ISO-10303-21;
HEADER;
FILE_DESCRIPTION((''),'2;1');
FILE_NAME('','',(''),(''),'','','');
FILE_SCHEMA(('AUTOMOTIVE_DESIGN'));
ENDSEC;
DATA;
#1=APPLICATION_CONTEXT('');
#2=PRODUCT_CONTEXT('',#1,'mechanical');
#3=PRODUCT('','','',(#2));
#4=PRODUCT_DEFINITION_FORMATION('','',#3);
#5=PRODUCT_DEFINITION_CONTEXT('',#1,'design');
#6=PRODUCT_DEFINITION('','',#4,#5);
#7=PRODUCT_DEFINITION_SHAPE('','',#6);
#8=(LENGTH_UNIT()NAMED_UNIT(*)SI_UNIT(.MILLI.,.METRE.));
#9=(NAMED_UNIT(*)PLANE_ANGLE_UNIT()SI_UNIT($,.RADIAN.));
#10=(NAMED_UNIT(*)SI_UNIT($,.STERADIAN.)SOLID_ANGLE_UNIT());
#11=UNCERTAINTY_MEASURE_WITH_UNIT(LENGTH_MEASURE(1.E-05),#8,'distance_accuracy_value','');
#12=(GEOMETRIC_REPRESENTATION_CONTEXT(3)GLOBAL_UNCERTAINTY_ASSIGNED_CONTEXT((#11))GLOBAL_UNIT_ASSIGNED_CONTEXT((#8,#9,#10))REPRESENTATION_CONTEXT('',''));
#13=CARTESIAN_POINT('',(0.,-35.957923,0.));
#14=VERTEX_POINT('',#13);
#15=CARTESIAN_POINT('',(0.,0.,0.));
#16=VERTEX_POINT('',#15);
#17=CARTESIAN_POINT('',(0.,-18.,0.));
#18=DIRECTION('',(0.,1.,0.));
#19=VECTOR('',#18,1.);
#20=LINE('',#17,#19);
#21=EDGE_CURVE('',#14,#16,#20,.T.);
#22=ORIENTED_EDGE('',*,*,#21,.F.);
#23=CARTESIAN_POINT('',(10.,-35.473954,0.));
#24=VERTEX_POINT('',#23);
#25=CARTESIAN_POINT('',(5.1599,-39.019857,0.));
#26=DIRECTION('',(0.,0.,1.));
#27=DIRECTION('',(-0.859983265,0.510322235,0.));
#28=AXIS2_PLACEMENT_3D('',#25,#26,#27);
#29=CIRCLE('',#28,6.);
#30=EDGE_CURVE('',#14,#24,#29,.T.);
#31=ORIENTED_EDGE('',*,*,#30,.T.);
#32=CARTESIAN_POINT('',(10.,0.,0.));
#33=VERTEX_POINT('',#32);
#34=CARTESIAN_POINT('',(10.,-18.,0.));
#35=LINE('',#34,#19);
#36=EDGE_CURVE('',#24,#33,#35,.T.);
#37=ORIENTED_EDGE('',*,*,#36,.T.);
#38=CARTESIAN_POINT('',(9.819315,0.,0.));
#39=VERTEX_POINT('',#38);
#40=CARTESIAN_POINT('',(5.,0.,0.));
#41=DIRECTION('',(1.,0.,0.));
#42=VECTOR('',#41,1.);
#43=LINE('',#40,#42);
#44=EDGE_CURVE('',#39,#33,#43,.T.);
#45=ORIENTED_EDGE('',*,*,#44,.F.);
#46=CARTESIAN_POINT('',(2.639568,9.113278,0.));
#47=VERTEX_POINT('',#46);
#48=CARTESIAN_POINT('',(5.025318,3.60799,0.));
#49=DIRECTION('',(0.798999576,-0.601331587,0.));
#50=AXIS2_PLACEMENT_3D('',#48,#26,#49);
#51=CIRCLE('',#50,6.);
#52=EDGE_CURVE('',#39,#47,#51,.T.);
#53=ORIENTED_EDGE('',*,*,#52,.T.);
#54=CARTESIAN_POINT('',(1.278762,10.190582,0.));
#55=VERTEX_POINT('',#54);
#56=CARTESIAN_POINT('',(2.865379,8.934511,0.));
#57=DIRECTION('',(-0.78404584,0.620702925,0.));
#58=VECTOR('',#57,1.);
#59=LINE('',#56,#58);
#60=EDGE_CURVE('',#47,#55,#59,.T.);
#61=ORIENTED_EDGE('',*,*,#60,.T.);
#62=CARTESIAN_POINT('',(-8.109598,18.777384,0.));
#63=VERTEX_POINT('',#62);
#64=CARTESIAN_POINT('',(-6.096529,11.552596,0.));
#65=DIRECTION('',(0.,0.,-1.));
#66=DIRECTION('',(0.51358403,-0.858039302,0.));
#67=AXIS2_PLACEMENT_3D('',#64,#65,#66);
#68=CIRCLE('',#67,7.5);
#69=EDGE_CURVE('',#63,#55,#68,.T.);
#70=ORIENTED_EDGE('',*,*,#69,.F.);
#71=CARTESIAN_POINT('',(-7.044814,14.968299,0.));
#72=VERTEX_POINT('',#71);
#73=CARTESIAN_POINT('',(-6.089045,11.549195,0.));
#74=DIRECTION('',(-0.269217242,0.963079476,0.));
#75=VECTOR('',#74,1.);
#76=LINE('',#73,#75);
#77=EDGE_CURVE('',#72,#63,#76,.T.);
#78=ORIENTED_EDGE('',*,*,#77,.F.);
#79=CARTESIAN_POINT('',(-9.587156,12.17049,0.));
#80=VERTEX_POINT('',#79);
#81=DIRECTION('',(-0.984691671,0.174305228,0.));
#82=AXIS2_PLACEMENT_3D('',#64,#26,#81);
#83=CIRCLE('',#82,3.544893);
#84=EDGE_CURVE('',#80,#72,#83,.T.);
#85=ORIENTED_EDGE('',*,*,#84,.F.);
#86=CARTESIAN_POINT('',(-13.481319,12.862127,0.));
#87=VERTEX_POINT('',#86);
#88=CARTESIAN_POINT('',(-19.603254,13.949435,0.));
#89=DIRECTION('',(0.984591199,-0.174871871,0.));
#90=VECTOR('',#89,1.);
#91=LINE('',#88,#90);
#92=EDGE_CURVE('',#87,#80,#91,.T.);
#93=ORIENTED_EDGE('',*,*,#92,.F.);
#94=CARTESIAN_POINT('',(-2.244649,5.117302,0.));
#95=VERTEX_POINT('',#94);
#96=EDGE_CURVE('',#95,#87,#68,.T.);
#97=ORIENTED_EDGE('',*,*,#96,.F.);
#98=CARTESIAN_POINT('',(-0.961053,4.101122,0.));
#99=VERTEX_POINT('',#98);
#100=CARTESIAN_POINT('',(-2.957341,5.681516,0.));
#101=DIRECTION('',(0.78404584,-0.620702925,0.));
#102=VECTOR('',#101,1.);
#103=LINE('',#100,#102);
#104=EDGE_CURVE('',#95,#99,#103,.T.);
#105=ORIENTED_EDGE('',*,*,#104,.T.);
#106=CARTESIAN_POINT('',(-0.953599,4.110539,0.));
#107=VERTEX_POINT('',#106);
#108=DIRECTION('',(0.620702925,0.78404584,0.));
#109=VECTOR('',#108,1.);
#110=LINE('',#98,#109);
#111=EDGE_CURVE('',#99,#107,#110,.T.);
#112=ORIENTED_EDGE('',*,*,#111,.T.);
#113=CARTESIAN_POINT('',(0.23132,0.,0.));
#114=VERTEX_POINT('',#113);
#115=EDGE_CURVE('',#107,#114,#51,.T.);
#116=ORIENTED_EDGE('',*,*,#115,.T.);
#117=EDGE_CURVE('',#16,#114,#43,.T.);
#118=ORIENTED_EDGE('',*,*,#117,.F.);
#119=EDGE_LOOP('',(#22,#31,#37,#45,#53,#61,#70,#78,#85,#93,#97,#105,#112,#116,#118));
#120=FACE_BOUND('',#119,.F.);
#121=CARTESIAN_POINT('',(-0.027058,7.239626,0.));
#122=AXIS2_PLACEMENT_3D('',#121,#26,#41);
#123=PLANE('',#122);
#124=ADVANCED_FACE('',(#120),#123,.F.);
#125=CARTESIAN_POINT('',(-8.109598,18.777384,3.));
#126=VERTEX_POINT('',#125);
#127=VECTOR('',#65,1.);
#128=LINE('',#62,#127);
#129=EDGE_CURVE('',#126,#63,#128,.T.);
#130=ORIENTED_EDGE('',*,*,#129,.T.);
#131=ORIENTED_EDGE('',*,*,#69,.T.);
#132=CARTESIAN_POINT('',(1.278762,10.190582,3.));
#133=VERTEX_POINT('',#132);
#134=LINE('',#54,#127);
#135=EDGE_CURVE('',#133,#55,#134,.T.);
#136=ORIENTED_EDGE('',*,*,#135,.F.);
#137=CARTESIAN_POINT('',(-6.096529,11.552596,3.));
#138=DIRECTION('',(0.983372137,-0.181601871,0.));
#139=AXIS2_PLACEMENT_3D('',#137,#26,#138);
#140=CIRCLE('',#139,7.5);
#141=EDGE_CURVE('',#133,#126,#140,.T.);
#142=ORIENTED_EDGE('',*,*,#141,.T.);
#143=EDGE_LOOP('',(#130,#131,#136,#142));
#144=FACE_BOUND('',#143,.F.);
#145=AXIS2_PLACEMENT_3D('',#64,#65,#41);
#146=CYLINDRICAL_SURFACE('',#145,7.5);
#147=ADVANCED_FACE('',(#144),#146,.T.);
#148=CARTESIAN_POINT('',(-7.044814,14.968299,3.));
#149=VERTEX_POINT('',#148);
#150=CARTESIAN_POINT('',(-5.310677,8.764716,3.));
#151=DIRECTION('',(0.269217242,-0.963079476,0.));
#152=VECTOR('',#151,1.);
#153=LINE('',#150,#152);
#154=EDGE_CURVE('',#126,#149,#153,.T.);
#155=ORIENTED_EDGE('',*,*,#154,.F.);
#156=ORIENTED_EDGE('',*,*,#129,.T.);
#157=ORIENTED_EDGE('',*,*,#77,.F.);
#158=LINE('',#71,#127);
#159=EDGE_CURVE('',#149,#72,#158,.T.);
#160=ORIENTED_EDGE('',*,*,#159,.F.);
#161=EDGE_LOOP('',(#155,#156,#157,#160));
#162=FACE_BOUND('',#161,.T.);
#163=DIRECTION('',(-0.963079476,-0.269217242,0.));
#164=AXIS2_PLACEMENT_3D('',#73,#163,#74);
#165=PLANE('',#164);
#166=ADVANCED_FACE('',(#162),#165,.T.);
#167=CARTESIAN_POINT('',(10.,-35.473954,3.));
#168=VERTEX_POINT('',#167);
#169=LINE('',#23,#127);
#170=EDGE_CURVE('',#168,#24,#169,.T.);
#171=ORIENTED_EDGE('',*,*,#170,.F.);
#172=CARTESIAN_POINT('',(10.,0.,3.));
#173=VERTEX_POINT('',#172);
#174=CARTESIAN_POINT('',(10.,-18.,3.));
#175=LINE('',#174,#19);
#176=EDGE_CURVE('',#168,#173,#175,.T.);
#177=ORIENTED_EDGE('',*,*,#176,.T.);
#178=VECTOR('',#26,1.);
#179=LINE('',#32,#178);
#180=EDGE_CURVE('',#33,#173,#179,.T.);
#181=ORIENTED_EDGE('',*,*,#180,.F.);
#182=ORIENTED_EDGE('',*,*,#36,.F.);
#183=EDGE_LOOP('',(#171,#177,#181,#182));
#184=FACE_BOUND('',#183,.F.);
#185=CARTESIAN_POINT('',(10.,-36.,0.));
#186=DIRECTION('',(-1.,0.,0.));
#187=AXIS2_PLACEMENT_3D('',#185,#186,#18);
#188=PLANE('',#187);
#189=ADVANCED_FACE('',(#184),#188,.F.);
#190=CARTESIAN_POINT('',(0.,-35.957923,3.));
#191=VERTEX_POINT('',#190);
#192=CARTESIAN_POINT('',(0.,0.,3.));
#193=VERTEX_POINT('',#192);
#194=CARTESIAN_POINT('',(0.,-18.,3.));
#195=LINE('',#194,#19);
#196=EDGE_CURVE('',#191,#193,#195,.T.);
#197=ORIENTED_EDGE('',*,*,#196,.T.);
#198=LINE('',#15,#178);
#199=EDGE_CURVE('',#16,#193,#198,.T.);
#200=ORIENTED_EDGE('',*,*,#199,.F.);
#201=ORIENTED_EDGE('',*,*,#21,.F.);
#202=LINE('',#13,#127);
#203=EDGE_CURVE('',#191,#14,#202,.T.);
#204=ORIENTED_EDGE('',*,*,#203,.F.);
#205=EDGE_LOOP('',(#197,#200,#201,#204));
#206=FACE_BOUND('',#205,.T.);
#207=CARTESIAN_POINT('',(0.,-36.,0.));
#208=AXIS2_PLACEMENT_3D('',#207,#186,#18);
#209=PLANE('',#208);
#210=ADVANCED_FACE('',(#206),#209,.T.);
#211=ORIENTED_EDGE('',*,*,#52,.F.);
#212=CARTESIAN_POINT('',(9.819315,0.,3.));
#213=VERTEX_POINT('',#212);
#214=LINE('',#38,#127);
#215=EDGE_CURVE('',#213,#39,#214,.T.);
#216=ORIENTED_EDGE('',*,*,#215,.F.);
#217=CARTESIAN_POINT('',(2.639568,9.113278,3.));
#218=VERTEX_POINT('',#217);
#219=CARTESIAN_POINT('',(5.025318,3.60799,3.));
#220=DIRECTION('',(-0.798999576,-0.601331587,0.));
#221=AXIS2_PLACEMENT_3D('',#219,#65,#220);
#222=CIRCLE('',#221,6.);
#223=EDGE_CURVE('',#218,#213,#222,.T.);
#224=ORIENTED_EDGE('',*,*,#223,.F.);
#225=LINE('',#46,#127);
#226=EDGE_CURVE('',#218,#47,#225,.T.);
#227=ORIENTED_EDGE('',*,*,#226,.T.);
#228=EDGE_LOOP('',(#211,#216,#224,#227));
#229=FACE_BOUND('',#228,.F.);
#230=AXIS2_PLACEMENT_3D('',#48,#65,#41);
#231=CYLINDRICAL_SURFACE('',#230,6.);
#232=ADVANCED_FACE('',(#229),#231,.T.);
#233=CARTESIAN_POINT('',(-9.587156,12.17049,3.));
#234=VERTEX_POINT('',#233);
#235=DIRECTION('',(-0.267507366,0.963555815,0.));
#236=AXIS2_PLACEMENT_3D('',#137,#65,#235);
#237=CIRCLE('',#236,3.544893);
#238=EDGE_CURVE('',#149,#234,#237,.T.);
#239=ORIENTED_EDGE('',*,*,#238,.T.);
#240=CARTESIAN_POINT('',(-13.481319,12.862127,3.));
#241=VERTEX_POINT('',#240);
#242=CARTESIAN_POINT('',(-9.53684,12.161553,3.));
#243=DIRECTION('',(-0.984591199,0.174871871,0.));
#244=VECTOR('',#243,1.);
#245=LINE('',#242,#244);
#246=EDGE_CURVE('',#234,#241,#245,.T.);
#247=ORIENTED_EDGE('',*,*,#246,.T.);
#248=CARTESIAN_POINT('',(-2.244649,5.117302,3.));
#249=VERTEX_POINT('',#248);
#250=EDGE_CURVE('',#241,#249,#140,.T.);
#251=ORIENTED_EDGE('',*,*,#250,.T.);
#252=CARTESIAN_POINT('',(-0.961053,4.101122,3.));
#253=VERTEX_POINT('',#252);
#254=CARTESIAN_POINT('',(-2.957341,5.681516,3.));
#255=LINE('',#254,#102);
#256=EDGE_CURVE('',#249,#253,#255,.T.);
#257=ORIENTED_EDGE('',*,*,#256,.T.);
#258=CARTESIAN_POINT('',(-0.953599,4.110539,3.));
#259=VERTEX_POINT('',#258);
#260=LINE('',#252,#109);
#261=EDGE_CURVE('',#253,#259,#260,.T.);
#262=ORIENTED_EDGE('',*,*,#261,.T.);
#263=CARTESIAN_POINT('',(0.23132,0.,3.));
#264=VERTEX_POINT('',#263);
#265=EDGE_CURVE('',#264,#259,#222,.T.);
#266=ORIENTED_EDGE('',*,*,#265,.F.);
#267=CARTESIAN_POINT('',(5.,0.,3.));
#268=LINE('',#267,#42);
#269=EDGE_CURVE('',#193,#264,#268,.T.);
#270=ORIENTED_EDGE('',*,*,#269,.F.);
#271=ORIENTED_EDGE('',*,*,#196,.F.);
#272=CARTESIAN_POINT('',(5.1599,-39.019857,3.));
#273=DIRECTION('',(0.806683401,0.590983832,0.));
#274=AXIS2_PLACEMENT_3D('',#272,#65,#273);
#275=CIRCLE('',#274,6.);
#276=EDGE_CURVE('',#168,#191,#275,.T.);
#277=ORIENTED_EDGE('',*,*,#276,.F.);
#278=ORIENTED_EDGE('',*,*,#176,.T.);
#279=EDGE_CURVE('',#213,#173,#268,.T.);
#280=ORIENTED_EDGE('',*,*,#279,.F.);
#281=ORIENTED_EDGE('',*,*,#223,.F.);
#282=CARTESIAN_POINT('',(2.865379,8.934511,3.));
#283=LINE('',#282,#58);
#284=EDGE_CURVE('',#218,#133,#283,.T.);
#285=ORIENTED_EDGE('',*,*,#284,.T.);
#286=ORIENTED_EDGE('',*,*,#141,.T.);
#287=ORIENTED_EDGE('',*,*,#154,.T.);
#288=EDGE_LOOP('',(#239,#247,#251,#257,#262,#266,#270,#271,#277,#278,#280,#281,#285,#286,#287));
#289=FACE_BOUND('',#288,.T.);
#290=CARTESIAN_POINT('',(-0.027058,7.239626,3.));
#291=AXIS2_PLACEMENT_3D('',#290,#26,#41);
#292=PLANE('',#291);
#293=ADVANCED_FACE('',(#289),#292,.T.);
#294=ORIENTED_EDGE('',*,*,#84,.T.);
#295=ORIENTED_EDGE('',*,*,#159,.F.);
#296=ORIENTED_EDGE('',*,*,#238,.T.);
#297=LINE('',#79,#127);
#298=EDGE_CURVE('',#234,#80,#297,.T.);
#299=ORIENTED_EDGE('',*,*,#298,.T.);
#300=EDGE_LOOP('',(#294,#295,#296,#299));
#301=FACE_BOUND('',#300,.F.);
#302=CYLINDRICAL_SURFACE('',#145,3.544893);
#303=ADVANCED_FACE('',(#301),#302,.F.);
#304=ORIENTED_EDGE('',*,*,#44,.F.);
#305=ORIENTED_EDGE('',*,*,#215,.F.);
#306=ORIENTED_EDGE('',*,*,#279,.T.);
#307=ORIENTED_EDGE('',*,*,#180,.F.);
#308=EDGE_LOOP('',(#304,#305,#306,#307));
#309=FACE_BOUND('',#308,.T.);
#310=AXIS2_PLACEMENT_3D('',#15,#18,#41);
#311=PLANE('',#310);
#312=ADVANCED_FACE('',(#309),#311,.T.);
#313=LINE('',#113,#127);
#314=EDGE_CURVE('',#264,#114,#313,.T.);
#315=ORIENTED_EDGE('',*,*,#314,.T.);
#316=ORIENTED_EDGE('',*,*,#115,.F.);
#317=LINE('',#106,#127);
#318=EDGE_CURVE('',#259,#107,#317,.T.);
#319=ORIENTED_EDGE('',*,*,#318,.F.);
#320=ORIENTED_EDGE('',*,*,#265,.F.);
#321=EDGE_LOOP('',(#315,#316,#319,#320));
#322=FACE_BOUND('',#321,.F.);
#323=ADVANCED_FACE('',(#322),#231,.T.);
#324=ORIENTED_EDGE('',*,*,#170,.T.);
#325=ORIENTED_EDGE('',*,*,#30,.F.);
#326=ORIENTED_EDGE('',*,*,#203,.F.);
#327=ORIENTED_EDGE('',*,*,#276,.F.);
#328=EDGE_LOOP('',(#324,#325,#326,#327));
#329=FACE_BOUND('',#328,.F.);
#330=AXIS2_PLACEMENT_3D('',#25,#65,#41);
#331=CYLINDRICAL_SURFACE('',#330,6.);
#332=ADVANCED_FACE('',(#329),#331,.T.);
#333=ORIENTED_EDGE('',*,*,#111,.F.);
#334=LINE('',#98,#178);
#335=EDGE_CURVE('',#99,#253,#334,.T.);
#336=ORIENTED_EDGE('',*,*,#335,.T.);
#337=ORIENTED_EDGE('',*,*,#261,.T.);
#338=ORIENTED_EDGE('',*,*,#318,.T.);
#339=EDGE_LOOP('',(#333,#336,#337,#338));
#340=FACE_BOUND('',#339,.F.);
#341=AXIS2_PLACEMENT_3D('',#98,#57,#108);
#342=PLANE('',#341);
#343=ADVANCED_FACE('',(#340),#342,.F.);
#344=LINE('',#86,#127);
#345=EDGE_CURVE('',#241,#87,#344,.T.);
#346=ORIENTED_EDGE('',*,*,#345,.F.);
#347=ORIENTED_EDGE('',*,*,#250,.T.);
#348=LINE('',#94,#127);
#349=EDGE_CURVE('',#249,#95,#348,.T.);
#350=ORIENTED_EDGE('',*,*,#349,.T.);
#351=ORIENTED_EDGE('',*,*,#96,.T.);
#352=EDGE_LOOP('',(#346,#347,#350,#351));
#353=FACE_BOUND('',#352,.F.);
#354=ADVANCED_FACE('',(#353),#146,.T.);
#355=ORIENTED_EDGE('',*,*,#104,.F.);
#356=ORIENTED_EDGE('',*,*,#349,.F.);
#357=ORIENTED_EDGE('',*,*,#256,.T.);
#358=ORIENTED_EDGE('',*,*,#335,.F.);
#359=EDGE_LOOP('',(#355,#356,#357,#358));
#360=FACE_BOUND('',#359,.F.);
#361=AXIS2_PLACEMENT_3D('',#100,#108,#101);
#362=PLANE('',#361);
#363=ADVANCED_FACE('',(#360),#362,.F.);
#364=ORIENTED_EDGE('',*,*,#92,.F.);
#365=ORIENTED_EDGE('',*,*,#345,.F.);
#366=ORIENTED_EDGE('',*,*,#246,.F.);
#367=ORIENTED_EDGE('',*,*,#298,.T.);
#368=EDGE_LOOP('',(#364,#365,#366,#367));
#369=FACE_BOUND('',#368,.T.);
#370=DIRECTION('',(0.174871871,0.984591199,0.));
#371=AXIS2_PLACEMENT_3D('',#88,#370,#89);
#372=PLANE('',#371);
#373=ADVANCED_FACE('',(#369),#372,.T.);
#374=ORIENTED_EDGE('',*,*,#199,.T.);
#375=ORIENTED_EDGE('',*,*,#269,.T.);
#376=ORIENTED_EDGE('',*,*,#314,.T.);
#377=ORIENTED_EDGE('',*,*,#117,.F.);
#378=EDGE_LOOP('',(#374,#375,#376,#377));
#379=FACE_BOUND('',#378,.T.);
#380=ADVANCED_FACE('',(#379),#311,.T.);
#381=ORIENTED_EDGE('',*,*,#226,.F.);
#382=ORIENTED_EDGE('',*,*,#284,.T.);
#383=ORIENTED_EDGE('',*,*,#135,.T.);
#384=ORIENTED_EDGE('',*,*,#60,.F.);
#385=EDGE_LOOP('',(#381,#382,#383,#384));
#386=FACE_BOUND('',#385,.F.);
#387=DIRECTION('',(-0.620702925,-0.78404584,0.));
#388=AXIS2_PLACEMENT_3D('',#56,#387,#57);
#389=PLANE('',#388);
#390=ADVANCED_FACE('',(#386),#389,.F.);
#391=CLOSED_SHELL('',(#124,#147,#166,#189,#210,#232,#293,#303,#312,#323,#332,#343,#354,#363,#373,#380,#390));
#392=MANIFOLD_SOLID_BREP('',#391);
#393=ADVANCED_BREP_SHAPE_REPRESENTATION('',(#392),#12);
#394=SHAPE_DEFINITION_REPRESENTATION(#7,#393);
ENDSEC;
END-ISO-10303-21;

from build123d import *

# Parameters (mm, degrees)
F0_W      = 10
F0_H      = 36
F3_DEPTH  = 3
F2_R      = 6
F4_DEPTH  = 3
F1_R      = 6
F5_DEPTH  = 3
F7_R      = 7.5
F9_DEPTH  = 3
F10_DEPTH = 3
F12_R     = 3.5448933786
F13_DEPTH = 25


with BuildPart() as f3:
    # F0 (on Top) → F3 (new body)
    with BuildSketch(Plane.XY):
        with Locations((5, -18)):
            Rectangle(F0_W, F0_H)
    extrude(amount=F3_DEPTH)

    # F2 (on Top) → F4 (join)
    with BuildSketch(Plane.XY):
        with Locations((5.1598995924, -39.019856602)):
            Circle(F2_R)
    extrude(amount=F4_DEPTH)

    # F1 (on Top) → F5 (join)
    with BuildSketch(Plane.XY):
        with Locations((5.0253178924, 3.6079895217)):
            Circle(F1_R)
    extrude(amount=F5_DEPTH)


with BuildPart() as f9:
    # F7 (on Top) → F9 (new body)
    with BuildSketch(Plane.XY):
        with Locations((-6.096528843, 11.5525964648)):
            Circle(F7_R)
    extrude(amount=F9_DEPTH)


with BuildPart() as f10:
    # F6 (on Top) → F10 (new body)
    with BuildSketch(Plane.XY):
        Polygon((-0.9610534762, 4.1011222638), (2.8653789777, 8.9345108718), (1.0522136364, 10.3699333609), (-2.9573408003, 5.6815163153), align=None)
    extrude(amount=F10_DEPTH)


with BuildPart() as f9_1:
    add(f9.part)

    # F11: union F3, F10
    add(f3.part)
    add(f10.part)

    # F8 (on Top) + F12 (on face) → F13 (cut)
    with BuildSketch(Plane.XY):
        Polygon((-19.6032542735, 13.9494352043), (-6.0890447348, 11.5491952747), (-9.477134794, 23.6695185304), align=None)
    with BuildSketch(Plane(origin=(0, 0, 0), x_dir=(1, 0, 0), z_dir=(0, 0, -1))):
        with Locations((-6.096528843, -11.5525964648)):
            Circle(F12_R)
    extrude(amount=F13_DEPTH, dir=(0, 0, 1), mode=Mode.SUBTRACT)


solid = f9_1.part
